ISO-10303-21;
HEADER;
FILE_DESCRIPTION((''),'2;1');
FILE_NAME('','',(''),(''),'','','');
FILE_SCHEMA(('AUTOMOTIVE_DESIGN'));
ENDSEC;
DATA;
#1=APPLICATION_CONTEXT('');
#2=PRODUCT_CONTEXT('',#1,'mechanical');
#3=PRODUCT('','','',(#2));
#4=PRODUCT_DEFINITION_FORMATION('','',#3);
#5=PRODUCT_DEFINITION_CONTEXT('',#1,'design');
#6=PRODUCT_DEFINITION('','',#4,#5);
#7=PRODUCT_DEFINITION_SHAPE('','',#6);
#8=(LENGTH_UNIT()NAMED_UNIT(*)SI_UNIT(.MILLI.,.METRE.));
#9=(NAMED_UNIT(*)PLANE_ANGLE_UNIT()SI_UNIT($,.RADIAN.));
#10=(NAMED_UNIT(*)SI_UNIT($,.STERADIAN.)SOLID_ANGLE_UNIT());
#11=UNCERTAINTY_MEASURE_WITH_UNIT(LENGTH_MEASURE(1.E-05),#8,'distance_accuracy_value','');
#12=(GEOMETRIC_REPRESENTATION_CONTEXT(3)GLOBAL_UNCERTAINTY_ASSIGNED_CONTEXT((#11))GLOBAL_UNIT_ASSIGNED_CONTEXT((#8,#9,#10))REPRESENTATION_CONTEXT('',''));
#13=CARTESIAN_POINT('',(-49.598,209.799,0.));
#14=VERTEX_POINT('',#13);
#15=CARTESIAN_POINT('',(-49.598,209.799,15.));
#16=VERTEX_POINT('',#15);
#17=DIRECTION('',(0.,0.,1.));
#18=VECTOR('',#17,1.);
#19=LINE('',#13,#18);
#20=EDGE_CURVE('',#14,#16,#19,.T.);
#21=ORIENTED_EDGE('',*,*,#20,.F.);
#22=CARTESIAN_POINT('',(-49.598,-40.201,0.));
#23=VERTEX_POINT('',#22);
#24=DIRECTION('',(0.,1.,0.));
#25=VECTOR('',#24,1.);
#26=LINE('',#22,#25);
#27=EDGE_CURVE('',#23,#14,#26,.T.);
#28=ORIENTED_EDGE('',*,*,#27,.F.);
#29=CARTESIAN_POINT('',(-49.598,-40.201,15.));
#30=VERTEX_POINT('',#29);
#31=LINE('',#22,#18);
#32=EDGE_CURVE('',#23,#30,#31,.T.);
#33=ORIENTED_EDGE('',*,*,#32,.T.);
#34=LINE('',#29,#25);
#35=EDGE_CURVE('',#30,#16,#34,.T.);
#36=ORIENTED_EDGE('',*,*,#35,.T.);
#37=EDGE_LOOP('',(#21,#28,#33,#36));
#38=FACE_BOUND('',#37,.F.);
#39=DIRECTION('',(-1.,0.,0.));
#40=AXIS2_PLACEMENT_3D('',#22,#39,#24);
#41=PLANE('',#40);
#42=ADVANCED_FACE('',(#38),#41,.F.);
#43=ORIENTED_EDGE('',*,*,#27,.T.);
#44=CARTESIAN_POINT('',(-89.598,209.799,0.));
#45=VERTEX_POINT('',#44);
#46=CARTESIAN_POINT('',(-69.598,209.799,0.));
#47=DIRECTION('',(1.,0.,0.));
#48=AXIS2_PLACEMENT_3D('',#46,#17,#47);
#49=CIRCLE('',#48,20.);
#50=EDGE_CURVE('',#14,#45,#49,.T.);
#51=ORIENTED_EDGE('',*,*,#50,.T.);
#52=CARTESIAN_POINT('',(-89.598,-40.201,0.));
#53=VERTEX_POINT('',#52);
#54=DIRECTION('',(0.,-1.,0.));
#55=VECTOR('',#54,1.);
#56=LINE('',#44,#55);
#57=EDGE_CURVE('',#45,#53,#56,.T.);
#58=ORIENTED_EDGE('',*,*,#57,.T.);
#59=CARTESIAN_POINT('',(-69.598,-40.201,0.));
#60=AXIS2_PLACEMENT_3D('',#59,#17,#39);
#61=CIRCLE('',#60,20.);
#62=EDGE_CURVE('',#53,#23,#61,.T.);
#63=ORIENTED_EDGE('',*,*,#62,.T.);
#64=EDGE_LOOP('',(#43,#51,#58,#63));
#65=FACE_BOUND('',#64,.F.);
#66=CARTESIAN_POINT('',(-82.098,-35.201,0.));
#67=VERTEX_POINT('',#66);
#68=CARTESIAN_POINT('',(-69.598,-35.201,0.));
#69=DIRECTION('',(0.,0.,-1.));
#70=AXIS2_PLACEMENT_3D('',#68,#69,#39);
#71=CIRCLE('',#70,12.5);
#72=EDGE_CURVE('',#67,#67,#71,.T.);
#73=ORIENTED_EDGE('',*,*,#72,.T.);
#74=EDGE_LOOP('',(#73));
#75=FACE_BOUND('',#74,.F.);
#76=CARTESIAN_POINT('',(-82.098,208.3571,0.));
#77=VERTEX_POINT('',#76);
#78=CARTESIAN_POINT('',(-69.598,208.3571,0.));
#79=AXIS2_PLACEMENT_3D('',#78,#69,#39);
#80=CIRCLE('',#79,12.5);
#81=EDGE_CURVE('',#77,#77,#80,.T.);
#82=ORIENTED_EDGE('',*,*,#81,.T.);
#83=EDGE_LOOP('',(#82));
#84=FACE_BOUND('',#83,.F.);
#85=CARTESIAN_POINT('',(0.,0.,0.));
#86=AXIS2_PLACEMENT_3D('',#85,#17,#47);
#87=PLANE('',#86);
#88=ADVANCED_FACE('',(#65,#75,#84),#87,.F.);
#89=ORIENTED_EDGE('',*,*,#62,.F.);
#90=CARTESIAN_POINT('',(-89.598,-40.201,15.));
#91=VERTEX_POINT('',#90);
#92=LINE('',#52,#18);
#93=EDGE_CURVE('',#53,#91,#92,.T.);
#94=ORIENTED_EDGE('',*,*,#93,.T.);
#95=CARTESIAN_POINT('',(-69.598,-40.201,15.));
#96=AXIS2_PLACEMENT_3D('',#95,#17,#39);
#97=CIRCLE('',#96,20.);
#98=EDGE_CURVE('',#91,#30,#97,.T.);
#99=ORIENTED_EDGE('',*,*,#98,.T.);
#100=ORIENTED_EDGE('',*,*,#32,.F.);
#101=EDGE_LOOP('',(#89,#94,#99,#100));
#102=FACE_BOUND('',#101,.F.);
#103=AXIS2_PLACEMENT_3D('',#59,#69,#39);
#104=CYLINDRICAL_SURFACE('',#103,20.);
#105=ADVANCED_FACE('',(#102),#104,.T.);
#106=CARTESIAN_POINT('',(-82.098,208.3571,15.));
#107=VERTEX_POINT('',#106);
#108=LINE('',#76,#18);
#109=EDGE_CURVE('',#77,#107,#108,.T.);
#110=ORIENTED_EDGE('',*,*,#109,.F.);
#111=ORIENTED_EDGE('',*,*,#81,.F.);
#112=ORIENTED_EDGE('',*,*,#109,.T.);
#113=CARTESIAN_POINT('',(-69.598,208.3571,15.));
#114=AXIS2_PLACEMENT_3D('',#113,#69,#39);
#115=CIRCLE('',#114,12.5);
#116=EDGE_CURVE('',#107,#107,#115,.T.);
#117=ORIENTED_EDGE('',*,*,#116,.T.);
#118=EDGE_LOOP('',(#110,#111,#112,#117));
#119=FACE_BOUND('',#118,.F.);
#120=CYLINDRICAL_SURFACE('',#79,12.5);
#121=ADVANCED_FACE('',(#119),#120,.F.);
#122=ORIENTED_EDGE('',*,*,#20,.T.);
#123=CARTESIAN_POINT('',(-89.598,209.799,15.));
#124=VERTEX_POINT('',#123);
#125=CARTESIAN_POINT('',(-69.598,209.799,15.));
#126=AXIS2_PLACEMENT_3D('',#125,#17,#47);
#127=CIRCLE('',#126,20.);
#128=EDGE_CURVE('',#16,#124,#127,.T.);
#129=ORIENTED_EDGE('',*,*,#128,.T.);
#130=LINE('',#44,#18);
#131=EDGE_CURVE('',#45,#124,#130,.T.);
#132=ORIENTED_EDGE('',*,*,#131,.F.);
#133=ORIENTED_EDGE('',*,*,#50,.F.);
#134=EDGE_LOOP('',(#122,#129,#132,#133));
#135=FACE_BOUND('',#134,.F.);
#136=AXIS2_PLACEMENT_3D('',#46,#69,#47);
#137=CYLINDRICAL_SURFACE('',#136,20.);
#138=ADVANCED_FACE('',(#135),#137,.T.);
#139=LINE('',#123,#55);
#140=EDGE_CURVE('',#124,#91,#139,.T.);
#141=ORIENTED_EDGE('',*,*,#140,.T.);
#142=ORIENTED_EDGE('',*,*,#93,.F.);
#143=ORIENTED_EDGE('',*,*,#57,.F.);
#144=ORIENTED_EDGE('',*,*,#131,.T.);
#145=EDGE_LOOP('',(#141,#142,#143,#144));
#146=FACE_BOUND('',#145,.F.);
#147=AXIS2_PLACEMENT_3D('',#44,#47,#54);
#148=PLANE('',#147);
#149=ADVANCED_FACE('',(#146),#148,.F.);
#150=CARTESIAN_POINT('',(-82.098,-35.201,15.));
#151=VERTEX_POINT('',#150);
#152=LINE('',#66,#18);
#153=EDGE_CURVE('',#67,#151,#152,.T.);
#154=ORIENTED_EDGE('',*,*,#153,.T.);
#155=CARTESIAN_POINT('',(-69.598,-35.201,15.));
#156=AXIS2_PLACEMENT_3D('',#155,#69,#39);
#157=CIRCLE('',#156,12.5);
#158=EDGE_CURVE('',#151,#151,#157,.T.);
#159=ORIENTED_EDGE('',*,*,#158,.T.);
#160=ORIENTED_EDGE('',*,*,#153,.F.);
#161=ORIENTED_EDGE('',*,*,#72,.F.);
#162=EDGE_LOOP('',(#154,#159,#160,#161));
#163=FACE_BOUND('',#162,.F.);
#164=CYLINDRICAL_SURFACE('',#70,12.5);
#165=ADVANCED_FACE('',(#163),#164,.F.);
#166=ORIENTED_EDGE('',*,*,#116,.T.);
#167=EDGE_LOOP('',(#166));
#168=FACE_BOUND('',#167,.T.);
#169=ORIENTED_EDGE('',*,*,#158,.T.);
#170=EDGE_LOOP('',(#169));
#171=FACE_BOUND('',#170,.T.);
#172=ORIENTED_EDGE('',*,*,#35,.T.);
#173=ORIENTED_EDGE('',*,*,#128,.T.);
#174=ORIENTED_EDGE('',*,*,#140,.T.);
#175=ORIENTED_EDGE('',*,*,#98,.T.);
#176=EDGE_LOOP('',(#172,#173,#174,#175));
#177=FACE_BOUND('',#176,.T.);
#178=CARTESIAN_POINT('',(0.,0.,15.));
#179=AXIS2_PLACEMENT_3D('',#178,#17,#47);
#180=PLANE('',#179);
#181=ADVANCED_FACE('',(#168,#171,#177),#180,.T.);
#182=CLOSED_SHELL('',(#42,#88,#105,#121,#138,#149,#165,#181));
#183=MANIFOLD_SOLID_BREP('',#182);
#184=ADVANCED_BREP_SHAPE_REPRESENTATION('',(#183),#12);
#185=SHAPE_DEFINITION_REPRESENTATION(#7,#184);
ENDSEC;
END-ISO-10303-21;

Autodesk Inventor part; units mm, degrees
ref_plane "YZ Plane" through (0, 0, 0) normal (1, 0, 0) x (0, 1, 0)
ref_plane "XZ Plane" through (0, 0, 0) normal (0, 1, 0) x (-1, 0, 0)
ref_plane "XY Plane" through (0, 0, 0) normal (0, 0, 1) x (1, 0, 0)
sketch "Sketch1" plane through (0, 0, 0) normal (0, 0, 1) x (1, 0, 0)
  line L0 (-69.598, 209.799) -> (-69.598, -40.201) construction
  line L1 (-89.598, 209.799) -> (-89.598, -40.201)
  line L2 (-49.598, -40.201) -> (-49.598, 209.799)
  arc A0 (-49.598, 209.799) -> (-89.598, 209.799) centre (-69.598, 209.799) ccw
  arc A1 (-89.598, -40.201) -> (-49.598, -40.201) centre (-69.598, -40.201) ccw
  point P0 (0, 0)
  point P1 (-69.598, 84.799)
  dimension "d0" = 250
  dimension "d1" = 20
extrude "Extrusion1" add sketch "Sketch1" along normal blind 15
sketch "Sketch2" plane through (0, 0, 0) normal (0, 0, -1) x (-1, 0, 0)
  line L0 (49.598, -40.201) -> (49.598, 209.799) projected
  circle A0 centre (69.598, 208.3571) radius 12.5
  point P0 (0, 0)
  point P1 (69.598, 88.3571)
  dimension "d4" = 20
  dimension "d5" = 25
  dimension "d6" = 120
extrude "Extrusion2" cut sketch "Sketch2" against normal blind 20
sketch "Sketch3" plane through (0, 0, 0) normal (0, 0, -1) x (-1, 0, 0)
  line L0 (89.598, 209.799) -> (89.598, -40.201) projected
  circle A0 centre (69.598, -35.201) radius 12.5
  point P0 (0, 0)
  point P1 (69.598, 84.799)
  dimension "d9" = 20
  dimension "d10" = 125
  dimension "d11" = 25
  dimension "d12" = 120
  dimension "d13" = 20
extrude "Extrusion3" cut sketch "Sketch3" against normal blind 20
properties part number "drawing bot arm"
